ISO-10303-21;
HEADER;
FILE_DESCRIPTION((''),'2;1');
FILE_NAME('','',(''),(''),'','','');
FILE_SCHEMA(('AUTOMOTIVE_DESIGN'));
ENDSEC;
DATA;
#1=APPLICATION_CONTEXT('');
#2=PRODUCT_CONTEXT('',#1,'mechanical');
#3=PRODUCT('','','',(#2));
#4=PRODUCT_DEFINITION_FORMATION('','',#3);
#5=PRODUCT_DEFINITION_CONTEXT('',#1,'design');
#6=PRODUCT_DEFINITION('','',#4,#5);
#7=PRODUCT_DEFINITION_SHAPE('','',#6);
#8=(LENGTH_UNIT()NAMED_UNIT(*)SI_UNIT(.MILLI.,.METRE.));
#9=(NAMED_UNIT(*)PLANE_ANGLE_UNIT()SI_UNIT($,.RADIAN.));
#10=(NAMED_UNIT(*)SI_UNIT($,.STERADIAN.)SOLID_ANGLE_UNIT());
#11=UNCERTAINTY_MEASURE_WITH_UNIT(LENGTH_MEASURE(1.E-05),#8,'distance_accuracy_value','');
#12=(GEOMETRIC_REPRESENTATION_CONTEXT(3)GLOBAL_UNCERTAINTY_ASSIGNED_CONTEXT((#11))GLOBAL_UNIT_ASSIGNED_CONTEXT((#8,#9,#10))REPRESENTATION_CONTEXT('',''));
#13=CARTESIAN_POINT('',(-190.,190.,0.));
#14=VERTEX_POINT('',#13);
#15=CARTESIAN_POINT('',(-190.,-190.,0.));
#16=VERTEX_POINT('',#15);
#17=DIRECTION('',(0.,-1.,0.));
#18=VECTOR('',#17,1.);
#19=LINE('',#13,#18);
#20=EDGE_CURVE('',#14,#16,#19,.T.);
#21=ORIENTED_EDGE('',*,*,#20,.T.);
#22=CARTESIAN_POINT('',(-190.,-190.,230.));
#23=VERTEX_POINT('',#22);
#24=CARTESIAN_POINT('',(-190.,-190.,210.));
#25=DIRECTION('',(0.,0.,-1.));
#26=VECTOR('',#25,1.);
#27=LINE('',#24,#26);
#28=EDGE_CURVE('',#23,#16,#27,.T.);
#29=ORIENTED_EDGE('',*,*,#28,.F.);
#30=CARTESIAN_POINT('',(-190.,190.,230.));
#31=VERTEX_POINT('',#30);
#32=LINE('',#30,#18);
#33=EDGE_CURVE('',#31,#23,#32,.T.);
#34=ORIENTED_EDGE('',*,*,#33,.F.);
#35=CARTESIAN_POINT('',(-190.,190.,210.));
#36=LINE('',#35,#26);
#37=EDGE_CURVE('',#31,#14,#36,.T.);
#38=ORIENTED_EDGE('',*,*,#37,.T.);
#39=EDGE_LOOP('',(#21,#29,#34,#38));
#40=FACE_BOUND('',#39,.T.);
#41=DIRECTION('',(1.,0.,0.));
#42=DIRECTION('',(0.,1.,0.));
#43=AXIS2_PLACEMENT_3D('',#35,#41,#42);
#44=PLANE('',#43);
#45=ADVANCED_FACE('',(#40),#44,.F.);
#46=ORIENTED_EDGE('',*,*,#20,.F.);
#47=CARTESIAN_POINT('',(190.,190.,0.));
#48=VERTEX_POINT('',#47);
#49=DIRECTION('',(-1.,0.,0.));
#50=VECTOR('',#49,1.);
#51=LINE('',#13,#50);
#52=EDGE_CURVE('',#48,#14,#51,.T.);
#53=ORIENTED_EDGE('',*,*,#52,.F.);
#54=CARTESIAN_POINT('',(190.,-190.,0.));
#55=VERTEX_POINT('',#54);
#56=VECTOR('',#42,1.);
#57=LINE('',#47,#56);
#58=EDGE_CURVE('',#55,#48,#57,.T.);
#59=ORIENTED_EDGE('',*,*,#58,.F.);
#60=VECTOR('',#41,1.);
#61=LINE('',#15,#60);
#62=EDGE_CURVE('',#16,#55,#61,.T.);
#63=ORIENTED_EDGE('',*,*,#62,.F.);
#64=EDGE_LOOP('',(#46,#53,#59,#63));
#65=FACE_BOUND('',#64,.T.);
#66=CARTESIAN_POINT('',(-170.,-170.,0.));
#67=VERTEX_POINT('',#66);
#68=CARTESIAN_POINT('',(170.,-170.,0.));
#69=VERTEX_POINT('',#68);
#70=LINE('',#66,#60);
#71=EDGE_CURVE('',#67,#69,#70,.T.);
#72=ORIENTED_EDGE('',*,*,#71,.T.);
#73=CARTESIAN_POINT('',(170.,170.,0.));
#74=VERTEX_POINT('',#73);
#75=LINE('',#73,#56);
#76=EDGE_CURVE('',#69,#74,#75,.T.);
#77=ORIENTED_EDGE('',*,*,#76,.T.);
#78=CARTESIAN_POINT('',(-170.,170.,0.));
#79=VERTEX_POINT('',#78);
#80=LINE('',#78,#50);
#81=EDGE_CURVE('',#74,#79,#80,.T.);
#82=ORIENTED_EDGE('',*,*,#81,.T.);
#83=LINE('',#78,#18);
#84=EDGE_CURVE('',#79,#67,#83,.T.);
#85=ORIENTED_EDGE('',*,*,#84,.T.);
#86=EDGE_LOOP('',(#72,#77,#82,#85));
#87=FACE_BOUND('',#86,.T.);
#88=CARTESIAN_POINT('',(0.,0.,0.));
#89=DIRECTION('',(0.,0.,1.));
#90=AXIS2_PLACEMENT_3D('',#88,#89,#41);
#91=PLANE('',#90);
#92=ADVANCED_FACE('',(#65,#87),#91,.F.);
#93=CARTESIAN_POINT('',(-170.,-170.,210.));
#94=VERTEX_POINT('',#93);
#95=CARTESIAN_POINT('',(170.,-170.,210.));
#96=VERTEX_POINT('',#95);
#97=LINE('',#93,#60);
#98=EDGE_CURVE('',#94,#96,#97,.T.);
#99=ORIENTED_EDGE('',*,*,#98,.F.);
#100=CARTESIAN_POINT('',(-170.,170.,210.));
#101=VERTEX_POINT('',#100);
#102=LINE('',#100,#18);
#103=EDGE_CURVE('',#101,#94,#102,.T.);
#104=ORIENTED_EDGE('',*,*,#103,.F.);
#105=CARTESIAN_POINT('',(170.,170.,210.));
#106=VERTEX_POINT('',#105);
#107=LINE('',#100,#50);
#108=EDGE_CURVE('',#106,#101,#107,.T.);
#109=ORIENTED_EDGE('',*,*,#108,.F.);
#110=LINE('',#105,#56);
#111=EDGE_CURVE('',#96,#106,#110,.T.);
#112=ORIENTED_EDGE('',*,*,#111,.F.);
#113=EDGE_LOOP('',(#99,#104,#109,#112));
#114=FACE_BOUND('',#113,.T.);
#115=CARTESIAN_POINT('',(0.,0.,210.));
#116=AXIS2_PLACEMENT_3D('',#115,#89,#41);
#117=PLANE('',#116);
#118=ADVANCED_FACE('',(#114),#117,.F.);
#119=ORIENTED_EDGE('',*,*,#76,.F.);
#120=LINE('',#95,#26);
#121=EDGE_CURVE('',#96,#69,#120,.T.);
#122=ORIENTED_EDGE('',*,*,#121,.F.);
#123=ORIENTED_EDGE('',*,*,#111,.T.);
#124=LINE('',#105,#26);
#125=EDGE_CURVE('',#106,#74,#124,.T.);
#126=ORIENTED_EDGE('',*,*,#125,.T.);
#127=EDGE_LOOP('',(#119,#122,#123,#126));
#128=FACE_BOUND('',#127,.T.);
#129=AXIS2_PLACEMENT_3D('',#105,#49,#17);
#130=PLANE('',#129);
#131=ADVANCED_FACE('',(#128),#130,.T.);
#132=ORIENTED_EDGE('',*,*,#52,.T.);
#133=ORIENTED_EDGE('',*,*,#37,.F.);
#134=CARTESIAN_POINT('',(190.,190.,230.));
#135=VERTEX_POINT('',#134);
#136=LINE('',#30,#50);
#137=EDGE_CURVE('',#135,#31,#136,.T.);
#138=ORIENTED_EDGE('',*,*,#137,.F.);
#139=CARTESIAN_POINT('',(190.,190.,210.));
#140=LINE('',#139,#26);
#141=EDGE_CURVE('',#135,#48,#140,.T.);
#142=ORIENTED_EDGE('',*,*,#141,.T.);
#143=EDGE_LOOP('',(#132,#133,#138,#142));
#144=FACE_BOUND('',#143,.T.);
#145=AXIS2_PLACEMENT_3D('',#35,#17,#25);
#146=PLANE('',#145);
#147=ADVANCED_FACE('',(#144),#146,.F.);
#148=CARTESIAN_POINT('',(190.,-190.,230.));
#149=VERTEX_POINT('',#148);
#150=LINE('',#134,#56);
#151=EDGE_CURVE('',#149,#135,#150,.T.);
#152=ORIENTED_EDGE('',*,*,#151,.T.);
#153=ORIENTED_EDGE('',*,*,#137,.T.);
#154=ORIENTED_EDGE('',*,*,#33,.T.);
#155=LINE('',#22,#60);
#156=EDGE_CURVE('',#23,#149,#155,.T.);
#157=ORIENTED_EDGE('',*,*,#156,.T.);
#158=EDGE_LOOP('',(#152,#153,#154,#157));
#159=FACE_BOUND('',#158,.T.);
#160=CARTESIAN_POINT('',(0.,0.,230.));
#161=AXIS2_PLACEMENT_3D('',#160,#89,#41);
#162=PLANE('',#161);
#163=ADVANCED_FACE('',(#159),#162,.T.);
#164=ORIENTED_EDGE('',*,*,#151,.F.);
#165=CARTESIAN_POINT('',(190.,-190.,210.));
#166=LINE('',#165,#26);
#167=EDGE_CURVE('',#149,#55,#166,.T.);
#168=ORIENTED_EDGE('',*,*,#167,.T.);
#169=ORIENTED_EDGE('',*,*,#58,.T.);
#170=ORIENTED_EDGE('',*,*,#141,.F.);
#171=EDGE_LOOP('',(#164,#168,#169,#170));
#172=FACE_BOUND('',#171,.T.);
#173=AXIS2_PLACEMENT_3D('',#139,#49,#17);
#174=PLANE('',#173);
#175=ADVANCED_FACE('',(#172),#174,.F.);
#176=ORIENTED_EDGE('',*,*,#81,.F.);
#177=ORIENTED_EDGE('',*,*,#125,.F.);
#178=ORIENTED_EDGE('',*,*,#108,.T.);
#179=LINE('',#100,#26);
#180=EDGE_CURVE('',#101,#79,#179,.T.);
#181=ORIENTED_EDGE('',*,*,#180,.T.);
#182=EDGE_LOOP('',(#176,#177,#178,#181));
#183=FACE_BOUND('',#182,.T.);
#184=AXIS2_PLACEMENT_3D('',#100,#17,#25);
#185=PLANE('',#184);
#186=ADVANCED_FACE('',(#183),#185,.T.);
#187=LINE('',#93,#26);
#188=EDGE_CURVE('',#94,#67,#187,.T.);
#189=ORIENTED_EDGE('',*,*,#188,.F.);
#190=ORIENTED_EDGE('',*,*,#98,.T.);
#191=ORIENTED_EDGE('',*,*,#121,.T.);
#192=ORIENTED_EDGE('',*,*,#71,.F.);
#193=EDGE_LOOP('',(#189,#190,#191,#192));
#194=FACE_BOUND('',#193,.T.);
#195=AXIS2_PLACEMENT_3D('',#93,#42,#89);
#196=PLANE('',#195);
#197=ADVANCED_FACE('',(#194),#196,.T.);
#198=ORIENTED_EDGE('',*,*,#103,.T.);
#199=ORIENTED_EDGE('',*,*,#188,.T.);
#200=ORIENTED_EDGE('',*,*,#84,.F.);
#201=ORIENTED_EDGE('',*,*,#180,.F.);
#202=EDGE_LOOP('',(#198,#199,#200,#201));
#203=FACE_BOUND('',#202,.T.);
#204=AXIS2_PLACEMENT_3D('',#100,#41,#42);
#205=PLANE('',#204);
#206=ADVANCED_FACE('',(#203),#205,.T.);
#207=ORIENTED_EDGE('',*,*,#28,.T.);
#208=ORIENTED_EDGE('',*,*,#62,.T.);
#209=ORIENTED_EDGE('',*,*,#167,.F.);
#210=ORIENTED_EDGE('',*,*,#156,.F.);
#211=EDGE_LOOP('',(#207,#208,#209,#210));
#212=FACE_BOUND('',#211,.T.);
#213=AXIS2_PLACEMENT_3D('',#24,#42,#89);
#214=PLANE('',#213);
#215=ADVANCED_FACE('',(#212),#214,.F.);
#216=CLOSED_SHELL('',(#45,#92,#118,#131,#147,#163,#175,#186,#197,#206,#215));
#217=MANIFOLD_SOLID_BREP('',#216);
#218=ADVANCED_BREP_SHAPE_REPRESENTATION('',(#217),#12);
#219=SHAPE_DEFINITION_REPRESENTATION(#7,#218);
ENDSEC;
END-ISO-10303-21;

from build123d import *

# Parameters (mm, degrees)
ESQUISSE1_W        = 380
ESQUISSE1_H        = 380
ESQUISSE1_W_2      = 340
ESQUISSE1_H_2      = 340
BOSS_EXTRU_1_DEPTH = 210
ESQUISSE2_W        = 380
ESQUISSE2_H        = 380
BOSS_EXTRU_2_DEPTH = 20


with BuildPart() as part:
    # Esquisse1 → Boss.-Extru.1 (new body)
    with BuildSketch(Plane.XY):
        Rectangle(ESQUISSE1_W, ESQUISSE1_H)
        Rectangle(ESQUISSE1_W_2, ESQUISSE1_H_2, mode=Mode.SUBTRACT)
    extrude(amount=BOSS_EXTRU_1_DEPTH)

    # Esquisse2 → Boss.-Extru.2 (add)
    with BuildSketch(Plane.XY.offset(210)):
        Rectangle(ESQUISSE2_W, ESQUISSE2_H)
    extrude(amount=BOSS_EXTRU_2_DEPTH)


solid = part.part
